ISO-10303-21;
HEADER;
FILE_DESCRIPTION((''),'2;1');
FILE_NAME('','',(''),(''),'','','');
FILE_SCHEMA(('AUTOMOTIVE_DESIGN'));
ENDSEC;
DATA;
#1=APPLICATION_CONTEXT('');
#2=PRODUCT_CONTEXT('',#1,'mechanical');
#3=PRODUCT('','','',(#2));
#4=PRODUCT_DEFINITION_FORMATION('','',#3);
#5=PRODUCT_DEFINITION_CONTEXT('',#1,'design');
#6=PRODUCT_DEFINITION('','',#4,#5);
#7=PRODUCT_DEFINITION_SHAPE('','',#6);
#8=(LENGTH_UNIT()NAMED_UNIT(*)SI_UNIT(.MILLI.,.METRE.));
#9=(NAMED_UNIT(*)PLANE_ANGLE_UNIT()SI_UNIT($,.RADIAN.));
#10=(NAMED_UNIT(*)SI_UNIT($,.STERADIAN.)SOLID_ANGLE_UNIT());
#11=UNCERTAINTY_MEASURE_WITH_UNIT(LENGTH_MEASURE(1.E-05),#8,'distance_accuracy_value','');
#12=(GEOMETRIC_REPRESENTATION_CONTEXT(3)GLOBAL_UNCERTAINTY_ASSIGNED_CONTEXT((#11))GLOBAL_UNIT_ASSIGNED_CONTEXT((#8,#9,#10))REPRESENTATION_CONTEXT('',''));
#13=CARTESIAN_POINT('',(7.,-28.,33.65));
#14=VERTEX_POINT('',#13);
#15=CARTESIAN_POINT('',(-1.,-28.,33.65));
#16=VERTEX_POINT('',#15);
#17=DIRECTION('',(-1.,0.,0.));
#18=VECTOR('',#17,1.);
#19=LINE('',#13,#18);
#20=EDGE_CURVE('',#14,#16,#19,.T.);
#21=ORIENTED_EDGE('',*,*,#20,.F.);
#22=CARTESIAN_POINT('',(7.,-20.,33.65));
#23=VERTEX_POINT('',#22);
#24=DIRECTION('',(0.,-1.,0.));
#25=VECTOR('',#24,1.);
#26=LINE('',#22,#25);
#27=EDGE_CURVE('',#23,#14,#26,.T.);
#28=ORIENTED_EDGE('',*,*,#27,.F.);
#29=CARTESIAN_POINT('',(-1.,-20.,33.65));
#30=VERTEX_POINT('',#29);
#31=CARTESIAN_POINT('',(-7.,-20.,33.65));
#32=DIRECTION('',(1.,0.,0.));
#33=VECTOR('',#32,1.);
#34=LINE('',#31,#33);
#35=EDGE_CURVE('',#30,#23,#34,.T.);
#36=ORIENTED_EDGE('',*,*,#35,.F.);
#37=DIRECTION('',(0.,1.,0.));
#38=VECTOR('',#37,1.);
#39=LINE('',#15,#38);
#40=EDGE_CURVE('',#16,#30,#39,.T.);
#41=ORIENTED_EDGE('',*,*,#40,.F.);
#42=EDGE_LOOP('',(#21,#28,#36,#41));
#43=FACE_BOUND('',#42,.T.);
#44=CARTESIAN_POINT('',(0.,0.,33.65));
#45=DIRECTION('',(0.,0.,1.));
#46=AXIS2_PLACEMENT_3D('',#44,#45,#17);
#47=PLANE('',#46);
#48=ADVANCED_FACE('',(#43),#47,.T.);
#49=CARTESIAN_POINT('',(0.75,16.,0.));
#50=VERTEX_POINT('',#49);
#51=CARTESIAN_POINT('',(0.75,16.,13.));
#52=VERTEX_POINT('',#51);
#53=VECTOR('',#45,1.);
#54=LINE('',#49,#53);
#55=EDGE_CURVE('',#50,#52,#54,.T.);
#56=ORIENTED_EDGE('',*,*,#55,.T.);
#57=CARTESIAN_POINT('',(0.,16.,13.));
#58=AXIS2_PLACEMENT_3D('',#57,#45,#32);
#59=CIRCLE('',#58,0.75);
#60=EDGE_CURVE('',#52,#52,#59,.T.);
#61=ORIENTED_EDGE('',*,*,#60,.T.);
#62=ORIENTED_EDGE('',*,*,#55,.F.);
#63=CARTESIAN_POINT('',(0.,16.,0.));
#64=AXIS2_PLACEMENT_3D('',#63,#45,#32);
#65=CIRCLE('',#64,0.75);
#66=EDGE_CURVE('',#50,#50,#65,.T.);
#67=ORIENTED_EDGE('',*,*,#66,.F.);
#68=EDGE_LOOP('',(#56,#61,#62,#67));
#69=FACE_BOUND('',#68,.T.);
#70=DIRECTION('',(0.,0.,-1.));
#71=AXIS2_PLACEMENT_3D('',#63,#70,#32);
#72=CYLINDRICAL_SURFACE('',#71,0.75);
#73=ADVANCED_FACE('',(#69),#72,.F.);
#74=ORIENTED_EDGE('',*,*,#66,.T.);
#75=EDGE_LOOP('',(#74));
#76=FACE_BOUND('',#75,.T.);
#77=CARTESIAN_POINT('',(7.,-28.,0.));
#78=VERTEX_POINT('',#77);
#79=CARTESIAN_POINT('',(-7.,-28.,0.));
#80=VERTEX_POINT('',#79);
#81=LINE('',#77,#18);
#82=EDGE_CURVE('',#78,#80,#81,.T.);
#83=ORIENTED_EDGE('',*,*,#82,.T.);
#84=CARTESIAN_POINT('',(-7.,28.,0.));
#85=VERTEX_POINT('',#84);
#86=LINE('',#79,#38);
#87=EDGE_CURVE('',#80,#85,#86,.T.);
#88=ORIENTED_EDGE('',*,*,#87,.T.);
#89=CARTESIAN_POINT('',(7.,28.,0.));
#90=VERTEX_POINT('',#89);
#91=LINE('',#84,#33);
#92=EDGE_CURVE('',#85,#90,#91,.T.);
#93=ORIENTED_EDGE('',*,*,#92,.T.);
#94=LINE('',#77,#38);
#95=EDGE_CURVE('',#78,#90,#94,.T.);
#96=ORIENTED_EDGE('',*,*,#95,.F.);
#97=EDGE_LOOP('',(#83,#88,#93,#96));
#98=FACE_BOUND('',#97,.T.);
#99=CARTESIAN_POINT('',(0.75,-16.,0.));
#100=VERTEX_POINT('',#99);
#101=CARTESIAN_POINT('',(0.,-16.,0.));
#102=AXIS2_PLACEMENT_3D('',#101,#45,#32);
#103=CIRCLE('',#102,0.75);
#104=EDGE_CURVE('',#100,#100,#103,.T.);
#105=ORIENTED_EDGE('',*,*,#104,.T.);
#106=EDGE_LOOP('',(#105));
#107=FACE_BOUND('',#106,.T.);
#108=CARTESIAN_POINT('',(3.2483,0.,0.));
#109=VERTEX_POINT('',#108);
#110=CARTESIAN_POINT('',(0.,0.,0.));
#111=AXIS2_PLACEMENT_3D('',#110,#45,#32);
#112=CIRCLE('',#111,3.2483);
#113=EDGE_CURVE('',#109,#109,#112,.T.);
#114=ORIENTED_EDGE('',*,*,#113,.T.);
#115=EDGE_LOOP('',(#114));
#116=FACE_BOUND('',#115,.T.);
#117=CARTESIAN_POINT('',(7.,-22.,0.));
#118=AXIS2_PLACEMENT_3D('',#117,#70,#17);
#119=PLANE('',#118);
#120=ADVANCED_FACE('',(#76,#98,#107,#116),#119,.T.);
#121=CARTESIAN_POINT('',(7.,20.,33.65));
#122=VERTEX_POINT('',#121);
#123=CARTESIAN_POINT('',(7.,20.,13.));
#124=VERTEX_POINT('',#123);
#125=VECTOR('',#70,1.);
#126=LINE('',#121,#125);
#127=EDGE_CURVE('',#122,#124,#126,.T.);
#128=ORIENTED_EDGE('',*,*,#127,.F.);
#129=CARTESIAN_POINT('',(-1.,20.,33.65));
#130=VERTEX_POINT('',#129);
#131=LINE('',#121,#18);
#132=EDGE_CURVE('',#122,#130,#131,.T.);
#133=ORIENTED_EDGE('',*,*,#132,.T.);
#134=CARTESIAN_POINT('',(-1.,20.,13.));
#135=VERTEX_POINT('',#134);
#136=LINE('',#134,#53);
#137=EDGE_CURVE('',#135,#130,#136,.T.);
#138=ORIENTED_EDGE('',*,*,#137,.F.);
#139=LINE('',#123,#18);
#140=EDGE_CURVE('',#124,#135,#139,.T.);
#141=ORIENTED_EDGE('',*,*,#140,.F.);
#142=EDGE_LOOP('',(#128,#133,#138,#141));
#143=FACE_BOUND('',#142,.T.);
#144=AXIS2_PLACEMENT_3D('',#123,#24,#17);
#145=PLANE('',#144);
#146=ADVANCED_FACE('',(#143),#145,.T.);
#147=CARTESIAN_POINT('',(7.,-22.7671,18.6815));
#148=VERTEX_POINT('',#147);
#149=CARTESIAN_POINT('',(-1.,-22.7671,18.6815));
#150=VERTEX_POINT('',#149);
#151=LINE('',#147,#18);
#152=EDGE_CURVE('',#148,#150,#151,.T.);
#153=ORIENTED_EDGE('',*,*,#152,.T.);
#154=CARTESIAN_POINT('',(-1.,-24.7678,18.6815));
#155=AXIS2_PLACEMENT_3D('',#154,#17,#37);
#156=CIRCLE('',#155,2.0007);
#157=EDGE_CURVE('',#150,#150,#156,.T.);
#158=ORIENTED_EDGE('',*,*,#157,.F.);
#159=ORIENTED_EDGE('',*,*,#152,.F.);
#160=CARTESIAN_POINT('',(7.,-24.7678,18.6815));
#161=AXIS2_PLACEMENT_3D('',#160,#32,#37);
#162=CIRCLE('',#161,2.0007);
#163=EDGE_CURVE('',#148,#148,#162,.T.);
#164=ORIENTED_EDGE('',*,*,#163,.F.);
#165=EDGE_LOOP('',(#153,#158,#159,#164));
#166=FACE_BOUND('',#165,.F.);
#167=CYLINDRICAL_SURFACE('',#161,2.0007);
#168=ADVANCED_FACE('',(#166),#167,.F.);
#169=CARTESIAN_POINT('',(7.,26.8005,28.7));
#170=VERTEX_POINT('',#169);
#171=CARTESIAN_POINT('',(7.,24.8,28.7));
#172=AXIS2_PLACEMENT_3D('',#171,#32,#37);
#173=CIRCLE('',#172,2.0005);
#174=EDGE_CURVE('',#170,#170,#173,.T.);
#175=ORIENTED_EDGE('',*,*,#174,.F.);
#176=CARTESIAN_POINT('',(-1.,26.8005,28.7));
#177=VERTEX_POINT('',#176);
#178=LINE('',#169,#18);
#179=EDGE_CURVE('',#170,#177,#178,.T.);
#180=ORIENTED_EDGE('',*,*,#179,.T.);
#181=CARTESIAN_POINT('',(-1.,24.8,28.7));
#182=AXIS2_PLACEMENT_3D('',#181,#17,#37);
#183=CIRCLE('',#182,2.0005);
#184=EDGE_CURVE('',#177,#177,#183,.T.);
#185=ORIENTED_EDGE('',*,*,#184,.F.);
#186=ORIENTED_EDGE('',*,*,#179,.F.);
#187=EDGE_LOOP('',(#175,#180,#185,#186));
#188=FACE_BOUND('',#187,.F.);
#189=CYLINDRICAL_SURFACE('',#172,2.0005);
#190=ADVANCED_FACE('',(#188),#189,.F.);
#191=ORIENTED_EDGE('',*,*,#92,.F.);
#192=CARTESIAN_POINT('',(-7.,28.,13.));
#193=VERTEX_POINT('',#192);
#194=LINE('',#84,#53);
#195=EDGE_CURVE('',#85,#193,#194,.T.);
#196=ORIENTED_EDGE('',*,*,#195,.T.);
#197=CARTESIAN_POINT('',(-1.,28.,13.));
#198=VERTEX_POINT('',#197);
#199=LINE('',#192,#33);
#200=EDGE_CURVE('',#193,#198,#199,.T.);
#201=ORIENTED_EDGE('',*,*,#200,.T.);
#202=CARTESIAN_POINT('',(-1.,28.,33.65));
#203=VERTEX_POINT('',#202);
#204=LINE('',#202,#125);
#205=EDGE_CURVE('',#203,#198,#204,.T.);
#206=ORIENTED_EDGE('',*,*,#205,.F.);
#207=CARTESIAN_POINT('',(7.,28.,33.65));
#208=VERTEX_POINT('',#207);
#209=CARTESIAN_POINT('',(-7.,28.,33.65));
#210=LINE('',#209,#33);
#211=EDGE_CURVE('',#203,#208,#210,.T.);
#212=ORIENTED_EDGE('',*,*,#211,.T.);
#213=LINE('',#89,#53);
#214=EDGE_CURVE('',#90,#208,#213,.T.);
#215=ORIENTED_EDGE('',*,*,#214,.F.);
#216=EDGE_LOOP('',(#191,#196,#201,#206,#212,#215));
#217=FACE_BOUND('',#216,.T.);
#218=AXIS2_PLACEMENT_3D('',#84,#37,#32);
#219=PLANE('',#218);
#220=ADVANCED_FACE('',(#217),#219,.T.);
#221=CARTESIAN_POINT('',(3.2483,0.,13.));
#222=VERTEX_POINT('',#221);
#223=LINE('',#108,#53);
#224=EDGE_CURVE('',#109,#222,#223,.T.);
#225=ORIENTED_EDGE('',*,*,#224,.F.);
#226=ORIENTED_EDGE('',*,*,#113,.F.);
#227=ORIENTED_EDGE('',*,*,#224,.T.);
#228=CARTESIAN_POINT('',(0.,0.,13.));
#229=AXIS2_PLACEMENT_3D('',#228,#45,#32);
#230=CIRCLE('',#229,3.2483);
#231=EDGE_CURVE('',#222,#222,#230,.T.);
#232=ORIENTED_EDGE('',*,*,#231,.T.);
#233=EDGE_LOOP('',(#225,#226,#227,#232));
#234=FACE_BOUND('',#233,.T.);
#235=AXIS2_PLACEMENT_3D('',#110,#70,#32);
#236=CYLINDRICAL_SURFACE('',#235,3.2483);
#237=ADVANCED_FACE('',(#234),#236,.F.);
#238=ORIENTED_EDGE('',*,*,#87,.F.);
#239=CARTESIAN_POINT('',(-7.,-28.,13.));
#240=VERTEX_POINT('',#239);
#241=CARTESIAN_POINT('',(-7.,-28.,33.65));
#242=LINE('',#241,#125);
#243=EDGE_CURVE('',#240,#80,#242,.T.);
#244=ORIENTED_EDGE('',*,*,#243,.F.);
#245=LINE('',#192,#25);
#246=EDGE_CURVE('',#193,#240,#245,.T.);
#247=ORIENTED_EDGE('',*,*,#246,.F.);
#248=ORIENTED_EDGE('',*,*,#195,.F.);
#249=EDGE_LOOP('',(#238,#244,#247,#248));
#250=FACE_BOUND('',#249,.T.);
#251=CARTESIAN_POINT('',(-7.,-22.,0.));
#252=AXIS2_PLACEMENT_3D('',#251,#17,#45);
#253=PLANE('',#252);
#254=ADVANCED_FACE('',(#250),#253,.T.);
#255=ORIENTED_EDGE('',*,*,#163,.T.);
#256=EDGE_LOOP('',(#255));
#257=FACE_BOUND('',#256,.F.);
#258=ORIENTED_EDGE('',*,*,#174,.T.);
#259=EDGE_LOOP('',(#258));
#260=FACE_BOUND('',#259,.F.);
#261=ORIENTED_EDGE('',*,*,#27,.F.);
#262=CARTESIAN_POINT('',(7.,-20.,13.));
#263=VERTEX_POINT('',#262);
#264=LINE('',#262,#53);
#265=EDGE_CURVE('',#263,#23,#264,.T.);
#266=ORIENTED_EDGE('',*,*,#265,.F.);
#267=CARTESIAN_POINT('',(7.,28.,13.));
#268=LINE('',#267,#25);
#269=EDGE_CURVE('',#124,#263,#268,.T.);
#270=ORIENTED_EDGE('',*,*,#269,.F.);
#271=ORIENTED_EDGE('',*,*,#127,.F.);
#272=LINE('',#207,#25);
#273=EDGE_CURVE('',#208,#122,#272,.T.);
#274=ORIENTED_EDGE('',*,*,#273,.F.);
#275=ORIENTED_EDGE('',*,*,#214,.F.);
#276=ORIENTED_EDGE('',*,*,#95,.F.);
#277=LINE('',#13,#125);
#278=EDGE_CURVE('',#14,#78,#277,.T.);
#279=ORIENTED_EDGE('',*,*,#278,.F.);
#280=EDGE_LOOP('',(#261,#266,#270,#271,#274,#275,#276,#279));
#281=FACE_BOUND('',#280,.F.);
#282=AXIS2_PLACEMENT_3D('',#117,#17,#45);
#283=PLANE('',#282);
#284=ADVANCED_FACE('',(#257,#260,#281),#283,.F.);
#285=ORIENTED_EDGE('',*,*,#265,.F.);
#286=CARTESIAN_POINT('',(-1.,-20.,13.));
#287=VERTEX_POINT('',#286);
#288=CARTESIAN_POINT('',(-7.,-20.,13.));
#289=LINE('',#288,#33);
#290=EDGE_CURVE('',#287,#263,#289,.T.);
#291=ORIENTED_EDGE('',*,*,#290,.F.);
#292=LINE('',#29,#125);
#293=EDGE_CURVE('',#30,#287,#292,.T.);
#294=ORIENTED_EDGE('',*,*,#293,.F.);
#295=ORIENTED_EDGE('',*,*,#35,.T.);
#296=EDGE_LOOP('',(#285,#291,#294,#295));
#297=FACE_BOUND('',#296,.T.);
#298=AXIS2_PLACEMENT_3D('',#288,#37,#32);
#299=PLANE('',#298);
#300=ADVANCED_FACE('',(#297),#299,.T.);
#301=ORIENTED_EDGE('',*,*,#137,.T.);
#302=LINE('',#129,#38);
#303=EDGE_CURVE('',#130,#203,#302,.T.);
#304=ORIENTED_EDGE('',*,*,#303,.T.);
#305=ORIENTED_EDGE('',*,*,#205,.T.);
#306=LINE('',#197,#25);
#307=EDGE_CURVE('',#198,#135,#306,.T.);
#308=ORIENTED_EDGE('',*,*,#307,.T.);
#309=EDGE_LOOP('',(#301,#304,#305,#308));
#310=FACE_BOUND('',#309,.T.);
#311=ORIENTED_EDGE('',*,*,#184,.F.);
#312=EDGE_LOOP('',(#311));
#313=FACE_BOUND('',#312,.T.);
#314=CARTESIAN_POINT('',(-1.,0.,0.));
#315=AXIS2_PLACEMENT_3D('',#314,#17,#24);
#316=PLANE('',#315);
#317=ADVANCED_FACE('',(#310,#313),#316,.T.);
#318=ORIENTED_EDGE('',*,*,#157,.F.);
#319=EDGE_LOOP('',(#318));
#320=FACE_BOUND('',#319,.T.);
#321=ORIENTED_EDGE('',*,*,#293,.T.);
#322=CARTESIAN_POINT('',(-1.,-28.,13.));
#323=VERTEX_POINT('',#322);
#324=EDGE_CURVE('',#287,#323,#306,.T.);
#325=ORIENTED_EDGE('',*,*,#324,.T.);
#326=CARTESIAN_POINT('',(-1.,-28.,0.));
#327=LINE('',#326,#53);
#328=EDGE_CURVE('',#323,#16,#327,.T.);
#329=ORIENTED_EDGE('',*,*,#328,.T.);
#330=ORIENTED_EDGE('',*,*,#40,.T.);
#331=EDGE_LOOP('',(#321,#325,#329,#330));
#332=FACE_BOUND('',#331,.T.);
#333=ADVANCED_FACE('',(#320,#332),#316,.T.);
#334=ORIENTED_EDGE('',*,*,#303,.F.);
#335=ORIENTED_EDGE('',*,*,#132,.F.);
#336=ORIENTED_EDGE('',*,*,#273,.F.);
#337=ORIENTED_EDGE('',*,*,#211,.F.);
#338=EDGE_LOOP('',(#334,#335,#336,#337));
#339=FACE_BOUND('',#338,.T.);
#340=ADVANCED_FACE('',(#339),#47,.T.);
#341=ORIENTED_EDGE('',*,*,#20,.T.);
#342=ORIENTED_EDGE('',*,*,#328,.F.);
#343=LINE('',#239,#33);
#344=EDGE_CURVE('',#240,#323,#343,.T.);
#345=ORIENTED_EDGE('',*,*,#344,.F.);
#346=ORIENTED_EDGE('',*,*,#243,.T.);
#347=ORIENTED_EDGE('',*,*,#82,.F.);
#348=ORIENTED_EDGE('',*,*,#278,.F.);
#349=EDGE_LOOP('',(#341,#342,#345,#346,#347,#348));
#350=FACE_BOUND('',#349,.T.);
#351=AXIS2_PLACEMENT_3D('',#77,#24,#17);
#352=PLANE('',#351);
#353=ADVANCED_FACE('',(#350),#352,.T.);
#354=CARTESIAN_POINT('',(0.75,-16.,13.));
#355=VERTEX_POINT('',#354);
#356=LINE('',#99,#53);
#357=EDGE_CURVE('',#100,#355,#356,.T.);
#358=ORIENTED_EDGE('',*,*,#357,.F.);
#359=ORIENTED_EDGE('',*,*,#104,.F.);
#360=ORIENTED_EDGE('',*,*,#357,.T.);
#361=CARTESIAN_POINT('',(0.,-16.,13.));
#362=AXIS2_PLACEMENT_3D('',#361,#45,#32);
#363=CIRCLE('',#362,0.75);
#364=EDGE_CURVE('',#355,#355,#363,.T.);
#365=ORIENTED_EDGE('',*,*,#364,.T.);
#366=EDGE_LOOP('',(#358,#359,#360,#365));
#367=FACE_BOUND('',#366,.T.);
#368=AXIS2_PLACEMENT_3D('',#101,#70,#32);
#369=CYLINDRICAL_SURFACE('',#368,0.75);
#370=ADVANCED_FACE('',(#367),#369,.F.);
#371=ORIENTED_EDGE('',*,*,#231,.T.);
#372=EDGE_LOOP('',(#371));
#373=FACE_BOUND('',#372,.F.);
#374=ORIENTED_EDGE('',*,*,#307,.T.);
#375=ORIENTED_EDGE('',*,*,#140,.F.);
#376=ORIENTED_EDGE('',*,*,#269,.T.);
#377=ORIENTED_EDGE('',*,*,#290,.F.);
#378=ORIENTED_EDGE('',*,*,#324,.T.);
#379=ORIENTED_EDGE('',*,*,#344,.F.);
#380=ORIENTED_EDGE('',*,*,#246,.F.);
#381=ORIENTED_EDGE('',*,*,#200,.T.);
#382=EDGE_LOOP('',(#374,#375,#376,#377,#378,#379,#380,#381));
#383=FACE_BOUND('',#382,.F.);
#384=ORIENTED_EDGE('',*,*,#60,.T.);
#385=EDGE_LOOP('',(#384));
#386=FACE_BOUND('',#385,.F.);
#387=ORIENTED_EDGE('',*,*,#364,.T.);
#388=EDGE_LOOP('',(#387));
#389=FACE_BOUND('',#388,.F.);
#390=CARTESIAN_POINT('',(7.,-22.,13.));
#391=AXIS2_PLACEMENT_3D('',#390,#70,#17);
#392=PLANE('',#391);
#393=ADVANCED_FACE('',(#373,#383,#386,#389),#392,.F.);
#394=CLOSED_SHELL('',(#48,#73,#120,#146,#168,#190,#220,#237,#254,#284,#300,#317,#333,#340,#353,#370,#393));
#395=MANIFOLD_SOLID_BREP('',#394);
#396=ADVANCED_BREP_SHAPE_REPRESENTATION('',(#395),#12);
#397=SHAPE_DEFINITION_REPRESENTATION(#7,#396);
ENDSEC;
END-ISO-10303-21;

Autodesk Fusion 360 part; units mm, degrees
sketch "Sketch1" plane through (0, 0, 0) normal (0, 0, 1) x (1, 0, 0)
  line L0 (7, -22) -> (-7, -22)
  line L1 (-7, -22) -> (-7, 22)
  line L2 (-7, 22) -> (7, 22)
  line L3 (7, 22) -> (7, -22)
  line L4 (7, -22) -> (-7, 22) construction
  line L5 (-7, -22) -> (7, 22) construction
  circle A0 centre (0, 0) radius 3.2483
  circle A1 centre (0, 16) radius 0.75
  circle A2 centre (0, -16) radius 0.75
  dimension "d1" = 1.5
  dimension "d2" = 1.5
extrude "Extrude1" add sketch "Sketch1" along normal blind 13
extrude "Extrude2" add 1 faces at (-2.3333, 22, 4.3333) along direction (0, 1, 0) blind 6
extrude "Extrude3" add 1 faces at (2.3333, -22, 4.3333) along direction (0, -1, 0) blind 6
sketch "Sketch2" plane through (0, 0, 13) normal (0, 0, 1) x (-1, 0, 0)
  circle A0 centre (0, 0) radius 3.2483
  circle A1 centre (0, 16) radius 0.75
  circle A2 centre (0, -16) radius 0.75
  line L0 (7, -28) -> (7, 28)
  line L1 (7, 28) -> (-7, 28)
  line L2 (-7, 28) -> (-7, -28)
  line L3 (-7, -28) -> (7, -28)
sketch "Sketch3" plane through (0, 0, 13) normal (0, 0, 1) x (-1, 0, 0)
  line L0 (7, -28) -> (-7, -28)
  line L1 (-7, -28) -> (-7, -20)
  line L2 (-7, -20) -> (7, -20)
  line L3 (7, -20) -> (7, -28)
  line L4 (7, 20) -> (-7, 20)
  line L5 (-7, 20) -> (-7, 28)
  line L6 (-7, 28) -> (7, 28)
  line L7 (7, 28) -> (7, 20)
extrude "Extrude4" add sketch "Sketch3" along normal blind 11
extrude "Extrude5" add 2 faces at (-2.3333, 25.3333, 24) (-2.3333, -22.6667, 24) along direction (0, 0, 1) blind 9.65
sketch "Sketch4" plane through (7, 0, 0) normal (1, 0, 0) x (0, 1, 0)
  line L0 (-28, 0) -> (28, 0)
  line L1 (28, 0) -> (28, 33.65)
  line L2 (28, 33.65) -> (20, 33.65)
  line L3 (20, 33.65) -> (20, 13)
  line L4 (20, 13) -> (-20, 13)
  line L5 (-20, 13) -> (-20, 33.65)
  line L6 (-20, 33.65) -> (-28, 33.65)
  line L7 (-28, 33.65) -> (-28, 0)
  circle A0 centre (-24.7678, 18.6815) radius 2.0007
  circle A1 centre (24.8, 28.7) radius 2.0005
  dimension "d13" = 4.001
extrude "Extrude6" cut sketch "Sketch4" against normal blind 15 contours A0 | A1
sketch "Sketch5" plane through (-7, 0, 0) normal (-1, 0, 0) x (0, -1, 0)
  circle A0 centre (24.7678, 18.6815) radius 2.0007
  circle A1 centre (-24.8, 28.7) radius 2.0005
  line L0 (-28, 0) -> (28, 0)
  line L1 (28, 0) -> (28, 33.65)
  line L2 (28, 33.65) -> (20, 33.65)
  line L3 (20, 33.65) -> (20, 13)
  line L4 (20, 13) -> (-20, 13)
  line L5 (-20, 13) -> (-20, 33.65)
  line L6 (-20, 33.65) -> (-28, 33.65)
  line L7 (-28, 33.65) -> (-28, 0)
  line L8 (-28, 13) -> (28, 13)
  line L9 (28, 13) -> (28, 35.3728)
  line L10 (28, 35.3728) -> (-28, 35.3728)
  line L11 (-28, 35.3728) -> (-28, 13)
extrude "Extrude7" cut sketch "Sketch5" against normal blind 6 contours L5 L6 L7 L8 L11 | L1 L2 L3 L8 L9
extrude "Extrude8" [suppressed]
extrude "Extrude9" [suppressed]
extrude "Extrude10" [suppressed]
extrude "Extrude11" [suppressed]
